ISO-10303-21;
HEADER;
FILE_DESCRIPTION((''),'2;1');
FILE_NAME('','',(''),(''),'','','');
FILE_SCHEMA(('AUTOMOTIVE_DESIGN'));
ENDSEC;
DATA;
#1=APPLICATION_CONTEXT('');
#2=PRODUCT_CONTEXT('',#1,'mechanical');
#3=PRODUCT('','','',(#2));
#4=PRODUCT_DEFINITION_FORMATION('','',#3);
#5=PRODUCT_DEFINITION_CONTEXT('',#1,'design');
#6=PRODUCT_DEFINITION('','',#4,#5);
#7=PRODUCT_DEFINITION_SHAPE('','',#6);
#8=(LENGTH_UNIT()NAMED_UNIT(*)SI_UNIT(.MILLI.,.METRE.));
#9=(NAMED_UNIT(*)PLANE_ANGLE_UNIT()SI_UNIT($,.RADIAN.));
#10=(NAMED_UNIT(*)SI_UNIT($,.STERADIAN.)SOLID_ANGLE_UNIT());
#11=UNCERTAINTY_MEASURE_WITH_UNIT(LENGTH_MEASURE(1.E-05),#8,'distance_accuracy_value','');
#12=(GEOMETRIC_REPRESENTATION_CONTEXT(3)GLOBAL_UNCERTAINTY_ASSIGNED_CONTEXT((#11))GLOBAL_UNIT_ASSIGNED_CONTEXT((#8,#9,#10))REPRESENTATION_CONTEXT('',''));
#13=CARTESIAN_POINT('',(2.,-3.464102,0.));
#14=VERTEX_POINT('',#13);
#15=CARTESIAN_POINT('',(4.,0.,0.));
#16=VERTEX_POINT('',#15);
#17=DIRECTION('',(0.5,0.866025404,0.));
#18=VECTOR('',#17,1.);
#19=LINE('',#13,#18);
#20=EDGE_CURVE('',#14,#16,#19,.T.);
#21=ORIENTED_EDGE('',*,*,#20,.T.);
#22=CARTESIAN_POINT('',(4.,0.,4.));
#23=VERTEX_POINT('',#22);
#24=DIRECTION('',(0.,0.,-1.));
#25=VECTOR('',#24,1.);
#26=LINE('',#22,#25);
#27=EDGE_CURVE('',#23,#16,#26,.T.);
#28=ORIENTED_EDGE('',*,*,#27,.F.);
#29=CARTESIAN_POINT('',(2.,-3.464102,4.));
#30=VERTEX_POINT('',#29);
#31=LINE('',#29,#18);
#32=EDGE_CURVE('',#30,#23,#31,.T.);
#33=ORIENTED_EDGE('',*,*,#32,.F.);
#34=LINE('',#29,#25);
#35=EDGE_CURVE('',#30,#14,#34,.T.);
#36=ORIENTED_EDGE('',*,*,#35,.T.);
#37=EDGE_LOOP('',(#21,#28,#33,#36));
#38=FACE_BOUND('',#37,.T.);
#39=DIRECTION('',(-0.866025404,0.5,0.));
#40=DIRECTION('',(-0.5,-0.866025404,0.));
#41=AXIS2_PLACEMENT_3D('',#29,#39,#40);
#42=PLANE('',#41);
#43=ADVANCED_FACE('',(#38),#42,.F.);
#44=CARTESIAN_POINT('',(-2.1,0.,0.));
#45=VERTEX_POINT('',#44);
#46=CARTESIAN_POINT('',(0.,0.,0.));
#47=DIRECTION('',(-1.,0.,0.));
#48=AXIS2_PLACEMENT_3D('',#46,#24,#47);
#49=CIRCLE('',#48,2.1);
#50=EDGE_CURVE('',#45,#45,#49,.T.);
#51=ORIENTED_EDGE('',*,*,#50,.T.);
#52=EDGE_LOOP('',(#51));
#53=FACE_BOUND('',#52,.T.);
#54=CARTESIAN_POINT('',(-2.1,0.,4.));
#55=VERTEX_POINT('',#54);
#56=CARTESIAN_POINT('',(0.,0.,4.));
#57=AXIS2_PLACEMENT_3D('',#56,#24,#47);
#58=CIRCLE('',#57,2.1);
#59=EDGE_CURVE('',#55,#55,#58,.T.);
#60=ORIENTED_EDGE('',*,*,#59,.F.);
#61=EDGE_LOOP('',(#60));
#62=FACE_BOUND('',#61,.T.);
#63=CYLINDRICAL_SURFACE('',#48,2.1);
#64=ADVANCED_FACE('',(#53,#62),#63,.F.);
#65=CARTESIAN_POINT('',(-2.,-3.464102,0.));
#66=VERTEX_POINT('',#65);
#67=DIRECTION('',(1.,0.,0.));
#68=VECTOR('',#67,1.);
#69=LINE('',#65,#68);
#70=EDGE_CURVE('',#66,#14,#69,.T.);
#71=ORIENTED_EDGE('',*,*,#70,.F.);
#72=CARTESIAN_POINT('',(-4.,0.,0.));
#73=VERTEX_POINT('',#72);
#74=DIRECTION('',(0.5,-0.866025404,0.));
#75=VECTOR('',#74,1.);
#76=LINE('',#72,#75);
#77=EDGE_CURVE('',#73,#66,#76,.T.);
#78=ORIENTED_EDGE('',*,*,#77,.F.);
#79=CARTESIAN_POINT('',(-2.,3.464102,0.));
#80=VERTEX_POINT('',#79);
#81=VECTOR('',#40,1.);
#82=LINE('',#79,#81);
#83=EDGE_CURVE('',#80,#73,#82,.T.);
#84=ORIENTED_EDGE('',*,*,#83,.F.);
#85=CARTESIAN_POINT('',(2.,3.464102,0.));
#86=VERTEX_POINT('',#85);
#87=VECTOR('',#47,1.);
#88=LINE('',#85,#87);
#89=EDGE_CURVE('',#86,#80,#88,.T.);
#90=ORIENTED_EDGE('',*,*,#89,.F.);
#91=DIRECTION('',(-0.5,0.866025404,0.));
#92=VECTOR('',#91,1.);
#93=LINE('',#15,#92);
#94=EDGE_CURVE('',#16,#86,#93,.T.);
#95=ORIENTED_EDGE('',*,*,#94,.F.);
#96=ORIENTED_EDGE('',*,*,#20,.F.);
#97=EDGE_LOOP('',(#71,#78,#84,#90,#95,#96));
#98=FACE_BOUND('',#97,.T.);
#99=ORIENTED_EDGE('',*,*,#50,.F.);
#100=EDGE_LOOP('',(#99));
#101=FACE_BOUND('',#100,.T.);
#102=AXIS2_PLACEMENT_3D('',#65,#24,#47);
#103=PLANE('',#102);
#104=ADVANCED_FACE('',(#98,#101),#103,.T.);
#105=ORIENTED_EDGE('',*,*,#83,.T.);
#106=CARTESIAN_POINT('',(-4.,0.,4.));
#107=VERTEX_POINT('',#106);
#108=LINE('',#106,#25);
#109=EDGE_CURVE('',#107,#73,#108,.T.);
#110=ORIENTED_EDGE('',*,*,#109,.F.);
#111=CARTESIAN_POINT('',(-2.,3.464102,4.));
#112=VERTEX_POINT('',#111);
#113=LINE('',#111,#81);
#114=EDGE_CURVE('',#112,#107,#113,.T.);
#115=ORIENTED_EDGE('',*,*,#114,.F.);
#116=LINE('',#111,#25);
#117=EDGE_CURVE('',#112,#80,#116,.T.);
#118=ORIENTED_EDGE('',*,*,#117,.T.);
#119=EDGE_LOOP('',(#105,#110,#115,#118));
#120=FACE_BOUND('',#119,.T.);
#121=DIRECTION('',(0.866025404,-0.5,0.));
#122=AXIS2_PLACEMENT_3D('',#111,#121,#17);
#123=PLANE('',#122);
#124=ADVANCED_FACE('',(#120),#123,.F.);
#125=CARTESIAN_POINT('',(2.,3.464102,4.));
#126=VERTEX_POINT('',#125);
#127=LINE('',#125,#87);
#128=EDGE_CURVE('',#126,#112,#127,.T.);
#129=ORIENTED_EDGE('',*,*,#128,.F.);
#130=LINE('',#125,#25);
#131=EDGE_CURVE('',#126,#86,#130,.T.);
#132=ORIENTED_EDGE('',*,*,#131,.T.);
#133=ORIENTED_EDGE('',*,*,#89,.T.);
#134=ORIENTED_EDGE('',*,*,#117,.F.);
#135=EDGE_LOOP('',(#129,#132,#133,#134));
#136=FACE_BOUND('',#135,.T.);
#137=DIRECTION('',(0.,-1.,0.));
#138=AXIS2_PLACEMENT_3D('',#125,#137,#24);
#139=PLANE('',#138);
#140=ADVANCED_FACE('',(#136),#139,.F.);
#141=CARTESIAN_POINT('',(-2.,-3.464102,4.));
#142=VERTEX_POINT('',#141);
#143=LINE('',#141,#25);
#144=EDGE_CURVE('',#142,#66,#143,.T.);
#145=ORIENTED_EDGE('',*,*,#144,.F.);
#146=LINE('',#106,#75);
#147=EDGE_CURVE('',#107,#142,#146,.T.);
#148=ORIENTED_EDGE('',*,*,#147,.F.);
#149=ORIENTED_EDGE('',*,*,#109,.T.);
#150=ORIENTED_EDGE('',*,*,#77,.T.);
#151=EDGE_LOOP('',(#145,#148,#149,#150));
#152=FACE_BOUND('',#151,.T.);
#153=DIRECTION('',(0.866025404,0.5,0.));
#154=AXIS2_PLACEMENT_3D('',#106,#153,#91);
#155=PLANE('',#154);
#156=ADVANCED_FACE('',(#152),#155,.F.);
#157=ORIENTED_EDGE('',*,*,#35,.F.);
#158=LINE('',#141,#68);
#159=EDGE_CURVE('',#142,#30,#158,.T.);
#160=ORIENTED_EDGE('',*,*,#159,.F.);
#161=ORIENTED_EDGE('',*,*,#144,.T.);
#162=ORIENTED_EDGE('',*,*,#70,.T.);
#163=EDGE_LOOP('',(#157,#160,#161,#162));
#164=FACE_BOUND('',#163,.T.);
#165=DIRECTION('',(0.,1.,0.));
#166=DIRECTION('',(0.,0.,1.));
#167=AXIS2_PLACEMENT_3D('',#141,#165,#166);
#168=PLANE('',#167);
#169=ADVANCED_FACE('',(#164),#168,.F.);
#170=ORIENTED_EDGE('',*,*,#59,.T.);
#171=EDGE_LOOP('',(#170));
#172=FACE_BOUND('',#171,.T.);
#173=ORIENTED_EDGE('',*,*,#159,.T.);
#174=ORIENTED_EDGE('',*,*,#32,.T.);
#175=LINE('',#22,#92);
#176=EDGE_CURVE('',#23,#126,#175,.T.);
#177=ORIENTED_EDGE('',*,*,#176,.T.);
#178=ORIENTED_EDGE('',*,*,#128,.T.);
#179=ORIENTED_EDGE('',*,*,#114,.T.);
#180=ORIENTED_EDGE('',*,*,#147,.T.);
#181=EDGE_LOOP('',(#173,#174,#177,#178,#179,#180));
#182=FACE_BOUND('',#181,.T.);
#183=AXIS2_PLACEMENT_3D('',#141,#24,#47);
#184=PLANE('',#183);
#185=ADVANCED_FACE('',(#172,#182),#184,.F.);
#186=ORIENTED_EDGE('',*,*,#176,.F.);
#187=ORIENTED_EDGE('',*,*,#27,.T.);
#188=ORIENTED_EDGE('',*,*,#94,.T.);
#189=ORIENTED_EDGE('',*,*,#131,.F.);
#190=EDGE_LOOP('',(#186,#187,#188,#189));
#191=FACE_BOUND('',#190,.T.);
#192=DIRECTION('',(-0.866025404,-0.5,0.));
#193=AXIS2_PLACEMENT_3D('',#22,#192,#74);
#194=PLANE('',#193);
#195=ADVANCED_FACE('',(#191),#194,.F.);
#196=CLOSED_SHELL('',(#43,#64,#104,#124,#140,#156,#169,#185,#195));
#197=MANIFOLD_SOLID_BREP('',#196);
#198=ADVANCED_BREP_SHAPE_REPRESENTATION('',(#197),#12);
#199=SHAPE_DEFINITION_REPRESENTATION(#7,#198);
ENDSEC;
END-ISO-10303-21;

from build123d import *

# Parameters (mm, degrees)
EXTRUDE_1_DEPTH = 4
M5X0_8_2_D      = 4.2


with BuildPart() as part:
    # 草图2 → 拉伸1 (new body)
    with BuildSketch(Plane.XY):
        Polygon((2, -3.464101615), (4, 0), (2, 3.464101615), (-2, 3.464101615), (-4, 0), (-2, -3.464101615), align=None)
    extrude(amount=EXTRUDE_1_DEPTH)

    # M5x0.8 螺纹孔2 (through all)
    with Locations(Plane(origin=(0, 0, 0), x_dir=(-1, 0, 0), z_dir=(0, 0, -1))):
        with Locations((0, 0)):
            Hole(M5X0_8_2_D / 2)


solid = part.part
